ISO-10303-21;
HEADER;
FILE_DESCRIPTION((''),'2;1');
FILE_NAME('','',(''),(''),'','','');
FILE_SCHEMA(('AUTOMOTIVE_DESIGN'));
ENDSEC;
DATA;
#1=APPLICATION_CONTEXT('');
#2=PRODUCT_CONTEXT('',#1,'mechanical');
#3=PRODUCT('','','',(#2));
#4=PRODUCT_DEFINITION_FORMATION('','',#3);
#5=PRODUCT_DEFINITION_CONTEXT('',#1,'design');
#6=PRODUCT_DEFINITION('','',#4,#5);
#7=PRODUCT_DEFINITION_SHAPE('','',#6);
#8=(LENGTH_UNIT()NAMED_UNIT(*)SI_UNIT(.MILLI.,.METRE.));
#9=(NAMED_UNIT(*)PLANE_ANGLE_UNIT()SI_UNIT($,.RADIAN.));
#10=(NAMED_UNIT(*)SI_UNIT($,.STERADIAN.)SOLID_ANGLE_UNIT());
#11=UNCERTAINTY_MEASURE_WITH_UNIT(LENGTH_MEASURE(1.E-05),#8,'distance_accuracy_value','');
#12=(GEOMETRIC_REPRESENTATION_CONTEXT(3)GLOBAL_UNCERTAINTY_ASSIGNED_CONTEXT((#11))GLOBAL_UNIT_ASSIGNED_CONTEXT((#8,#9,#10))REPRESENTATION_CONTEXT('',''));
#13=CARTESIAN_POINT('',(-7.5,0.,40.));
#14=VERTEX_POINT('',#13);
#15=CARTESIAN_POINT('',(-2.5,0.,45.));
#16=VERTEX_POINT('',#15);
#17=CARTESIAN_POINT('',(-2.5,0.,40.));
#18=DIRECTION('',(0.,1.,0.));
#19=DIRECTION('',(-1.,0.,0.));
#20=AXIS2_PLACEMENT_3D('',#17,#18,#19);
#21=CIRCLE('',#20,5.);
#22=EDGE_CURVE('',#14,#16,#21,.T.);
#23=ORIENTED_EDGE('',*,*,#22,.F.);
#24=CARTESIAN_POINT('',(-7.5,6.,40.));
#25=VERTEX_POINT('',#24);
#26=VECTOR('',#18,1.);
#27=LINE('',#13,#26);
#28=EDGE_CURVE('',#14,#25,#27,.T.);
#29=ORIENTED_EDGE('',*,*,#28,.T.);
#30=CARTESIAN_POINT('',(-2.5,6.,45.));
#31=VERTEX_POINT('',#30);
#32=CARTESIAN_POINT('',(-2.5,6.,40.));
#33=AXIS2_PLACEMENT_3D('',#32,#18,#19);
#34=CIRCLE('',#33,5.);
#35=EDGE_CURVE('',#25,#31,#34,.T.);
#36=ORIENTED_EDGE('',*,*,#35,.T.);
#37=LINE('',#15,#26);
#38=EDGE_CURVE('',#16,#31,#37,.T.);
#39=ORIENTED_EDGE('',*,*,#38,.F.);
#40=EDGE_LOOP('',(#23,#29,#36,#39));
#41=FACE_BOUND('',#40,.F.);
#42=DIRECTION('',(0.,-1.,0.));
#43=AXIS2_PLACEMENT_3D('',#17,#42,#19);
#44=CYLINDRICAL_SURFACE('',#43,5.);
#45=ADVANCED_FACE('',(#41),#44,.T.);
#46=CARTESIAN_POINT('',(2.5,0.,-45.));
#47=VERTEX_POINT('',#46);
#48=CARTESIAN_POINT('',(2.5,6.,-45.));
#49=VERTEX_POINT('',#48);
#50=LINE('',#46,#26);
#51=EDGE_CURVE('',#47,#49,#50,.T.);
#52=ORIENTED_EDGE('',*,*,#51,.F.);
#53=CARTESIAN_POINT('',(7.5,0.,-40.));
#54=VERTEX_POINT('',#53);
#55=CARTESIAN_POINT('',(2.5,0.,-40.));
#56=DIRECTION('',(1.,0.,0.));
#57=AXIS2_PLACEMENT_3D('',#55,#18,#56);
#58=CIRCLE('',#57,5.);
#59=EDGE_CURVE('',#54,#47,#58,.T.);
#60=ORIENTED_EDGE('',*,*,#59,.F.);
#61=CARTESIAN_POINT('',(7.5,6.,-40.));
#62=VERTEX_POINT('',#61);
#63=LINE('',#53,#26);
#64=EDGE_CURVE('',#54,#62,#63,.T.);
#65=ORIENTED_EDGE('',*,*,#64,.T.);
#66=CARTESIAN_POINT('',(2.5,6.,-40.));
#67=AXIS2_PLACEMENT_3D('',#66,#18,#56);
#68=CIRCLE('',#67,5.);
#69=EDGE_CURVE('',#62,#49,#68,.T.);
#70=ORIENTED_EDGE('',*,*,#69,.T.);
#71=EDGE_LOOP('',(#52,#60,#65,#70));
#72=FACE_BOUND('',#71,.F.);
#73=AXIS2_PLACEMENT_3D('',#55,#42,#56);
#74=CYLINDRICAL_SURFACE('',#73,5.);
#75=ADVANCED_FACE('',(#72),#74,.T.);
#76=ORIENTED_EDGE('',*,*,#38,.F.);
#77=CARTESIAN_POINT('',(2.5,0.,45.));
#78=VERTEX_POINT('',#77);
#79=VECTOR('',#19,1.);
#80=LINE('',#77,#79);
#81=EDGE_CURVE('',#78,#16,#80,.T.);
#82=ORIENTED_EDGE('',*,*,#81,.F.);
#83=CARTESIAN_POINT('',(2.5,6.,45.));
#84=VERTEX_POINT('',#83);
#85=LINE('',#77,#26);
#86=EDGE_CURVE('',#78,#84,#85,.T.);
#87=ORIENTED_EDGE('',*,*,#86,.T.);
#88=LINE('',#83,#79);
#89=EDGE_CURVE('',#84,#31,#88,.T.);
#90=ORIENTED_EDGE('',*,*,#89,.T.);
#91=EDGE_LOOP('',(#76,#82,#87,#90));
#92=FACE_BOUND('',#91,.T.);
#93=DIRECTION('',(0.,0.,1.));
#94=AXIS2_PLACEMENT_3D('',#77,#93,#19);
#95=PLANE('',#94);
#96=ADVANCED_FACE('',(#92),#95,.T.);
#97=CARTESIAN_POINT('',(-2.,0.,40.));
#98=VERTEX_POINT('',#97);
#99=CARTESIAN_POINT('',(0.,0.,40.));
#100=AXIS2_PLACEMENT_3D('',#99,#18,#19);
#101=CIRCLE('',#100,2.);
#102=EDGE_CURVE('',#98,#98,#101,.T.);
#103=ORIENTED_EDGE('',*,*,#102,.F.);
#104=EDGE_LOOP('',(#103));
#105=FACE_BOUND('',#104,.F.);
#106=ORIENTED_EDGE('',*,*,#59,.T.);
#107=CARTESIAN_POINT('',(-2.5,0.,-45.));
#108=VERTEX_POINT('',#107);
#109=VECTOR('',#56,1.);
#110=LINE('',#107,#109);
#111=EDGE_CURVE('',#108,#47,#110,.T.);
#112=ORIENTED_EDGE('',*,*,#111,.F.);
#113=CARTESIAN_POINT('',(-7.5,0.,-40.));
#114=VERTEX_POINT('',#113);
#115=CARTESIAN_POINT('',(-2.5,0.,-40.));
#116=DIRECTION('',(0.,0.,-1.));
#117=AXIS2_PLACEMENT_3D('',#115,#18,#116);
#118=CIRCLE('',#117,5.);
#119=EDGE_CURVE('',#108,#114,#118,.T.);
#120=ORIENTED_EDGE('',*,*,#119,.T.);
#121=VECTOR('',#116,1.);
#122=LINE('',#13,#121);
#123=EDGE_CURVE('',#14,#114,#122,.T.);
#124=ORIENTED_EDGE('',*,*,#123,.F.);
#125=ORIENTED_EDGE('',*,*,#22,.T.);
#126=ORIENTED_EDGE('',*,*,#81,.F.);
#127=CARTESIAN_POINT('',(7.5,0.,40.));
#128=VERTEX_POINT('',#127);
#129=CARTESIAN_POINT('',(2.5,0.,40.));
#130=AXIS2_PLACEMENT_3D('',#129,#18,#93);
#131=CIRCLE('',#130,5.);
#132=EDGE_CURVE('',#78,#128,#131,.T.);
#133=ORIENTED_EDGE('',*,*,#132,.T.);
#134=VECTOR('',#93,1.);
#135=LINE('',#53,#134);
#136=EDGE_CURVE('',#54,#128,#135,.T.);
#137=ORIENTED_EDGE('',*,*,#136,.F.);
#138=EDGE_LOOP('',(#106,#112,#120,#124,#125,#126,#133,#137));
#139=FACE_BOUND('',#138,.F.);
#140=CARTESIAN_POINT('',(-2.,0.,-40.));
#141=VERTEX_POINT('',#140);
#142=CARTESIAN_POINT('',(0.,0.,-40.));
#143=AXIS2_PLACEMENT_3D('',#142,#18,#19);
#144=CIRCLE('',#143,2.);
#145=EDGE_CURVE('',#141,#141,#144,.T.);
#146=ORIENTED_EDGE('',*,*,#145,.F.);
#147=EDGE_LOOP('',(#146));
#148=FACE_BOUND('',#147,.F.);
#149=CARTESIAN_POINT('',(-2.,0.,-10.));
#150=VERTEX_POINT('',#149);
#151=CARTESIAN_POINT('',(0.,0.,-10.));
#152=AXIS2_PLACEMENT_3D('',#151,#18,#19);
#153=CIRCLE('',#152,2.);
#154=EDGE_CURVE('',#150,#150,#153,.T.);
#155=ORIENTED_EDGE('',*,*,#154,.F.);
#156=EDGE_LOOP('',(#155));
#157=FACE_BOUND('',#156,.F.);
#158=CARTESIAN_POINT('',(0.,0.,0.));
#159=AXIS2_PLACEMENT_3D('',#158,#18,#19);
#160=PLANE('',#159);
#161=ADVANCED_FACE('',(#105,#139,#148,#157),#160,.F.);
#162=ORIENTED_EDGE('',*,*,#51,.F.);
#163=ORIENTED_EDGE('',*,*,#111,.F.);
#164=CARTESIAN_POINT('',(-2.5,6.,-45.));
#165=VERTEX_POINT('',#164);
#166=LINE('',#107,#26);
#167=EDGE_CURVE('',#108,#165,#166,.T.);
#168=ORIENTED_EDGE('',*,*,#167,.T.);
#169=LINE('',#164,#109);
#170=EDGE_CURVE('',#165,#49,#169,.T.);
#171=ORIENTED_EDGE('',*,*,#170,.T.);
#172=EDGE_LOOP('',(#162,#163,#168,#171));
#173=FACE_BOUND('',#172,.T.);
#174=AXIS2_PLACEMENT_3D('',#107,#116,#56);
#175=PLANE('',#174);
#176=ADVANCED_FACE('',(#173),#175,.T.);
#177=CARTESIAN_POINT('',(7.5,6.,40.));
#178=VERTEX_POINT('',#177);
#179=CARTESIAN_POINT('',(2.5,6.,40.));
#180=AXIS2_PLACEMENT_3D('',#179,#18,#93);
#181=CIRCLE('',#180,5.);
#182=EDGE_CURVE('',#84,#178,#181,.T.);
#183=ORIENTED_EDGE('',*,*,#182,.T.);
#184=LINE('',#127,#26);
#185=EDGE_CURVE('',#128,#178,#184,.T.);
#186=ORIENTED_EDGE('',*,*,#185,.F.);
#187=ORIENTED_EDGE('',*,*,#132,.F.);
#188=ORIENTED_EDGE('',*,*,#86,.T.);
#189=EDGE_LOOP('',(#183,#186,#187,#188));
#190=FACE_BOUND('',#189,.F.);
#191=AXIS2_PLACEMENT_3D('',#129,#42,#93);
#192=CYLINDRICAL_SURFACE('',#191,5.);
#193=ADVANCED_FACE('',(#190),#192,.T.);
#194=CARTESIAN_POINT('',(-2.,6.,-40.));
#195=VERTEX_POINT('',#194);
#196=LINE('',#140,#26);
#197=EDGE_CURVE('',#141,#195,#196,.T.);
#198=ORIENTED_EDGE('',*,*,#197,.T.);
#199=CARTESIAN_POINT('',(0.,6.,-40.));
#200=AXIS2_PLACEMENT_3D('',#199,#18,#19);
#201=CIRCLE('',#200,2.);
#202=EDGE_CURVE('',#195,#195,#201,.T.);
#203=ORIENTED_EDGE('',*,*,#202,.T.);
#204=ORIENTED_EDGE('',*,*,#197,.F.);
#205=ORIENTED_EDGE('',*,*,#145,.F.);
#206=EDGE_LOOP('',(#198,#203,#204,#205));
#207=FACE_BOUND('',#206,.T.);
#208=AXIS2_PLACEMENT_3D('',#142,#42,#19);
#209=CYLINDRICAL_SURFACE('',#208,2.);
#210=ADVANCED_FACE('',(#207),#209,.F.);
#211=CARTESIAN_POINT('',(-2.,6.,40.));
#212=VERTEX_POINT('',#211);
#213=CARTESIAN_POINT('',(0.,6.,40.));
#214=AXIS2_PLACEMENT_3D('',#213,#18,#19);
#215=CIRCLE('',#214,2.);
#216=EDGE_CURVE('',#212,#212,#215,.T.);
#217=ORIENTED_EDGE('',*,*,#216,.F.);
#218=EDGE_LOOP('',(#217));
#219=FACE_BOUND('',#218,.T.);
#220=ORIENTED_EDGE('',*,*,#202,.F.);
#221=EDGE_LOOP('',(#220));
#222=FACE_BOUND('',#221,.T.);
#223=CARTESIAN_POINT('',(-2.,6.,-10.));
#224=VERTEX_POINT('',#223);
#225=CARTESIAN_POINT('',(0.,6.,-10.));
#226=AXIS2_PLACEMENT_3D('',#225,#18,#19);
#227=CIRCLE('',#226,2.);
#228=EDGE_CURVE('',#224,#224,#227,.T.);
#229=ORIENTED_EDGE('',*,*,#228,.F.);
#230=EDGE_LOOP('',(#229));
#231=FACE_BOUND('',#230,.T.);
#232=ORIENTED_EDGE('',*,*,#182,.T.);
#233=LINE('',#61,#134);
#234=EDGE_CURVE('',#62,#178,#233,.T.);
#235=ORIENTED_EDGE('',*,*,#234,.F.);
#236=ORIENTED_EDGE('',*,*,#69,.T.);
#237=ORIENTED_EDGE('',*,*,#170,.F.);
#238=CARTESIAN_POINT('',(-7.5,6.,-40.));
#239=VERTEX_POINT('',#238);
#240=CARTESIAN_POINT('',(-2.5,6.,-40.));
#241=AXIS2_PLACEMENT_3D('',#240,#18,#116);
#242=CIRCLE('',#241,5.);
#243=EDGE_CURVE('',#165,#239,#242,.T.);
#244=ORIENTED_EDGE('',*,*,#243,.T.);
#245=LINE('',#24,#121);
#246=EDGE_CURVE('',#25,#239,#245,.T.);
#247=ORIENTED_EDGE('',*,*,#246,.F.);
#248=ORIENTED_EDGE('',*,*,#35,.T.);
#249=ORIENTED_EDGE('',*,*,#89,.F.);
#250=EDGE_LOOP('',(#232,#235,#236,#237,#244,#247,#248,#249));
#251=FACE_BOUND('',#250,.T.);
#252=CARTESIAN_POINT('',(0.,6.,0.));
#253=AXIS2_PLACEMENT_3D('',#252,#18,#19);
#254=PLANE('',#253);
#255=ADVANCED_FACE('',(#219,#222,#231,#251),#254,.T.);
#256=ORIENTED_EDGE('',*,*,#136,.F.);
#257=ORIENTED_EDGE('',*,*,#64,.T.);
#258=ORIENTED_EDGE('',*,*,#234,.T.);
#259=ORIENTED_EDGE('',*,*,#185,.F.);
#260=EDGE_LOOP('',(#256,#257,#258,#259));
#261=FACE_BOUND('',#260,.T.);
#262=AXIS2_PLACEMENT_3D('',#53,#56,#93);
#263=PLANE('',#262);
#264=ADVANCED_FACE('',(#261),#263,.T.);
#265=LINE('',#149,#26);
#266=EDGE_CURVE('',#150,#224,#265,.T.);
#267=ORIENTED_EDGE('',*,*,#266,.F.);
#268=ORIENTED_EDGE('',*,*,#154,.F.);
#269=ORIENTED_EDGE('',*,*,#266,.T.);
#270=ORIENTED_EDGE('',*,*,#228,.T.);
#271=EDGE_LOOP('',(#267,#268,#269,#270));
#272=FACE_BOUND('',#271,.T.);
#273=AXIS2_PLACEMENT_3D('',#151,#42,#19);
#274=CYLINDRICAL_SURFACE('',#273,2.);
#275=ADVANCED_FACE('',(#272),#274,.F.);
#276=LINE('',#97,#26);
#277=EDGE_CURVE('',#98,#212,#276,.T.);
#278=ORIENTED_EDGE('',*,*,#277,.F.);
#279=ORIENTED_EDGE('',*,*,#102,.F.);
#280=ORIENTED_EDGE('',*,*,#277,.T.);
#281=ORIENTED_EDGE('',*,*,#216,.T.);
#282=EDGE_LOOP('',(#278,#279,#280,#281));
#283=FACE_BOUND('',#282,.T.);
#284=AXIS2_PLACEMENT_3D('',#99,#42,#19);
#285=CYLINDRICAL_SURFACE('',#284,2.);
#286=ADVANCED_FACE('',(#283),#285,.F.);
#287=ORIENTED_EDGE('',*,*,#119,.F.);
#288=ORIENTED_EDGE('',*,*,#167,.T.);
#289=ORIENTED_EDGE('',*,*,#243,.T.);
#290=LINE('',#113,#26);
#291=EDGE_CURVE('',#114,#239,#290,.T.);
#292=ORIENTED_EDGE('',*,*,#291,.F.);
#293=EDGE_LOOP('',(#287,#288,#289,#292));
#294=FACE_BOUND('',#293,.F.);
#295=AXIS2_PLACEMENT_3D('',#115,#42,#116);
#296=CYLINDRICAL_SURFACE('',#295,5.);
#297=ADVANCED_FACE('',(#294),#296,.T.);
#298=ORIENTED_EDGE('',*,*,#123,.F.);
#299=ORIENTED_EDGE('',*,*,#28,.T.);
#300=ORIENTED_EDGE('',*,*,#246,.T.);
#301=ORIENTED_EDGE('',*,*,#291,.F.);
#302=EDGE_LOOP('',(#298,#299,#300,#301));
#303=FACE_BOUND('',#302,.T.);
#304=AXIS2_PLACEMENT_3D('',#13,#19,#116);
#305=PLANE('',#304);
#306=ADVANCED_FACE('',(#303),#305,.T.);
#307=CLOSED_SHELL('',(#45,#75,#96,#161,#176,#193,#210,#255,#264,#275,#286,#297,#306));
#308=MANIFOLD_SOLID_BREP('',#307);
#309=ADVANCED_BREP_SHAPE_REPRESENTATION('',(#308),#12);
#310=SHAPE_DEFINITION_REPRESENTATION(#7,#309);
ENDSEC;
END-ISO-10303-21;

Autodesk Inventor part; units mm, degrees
ref_plane "YZ Plane" through (0, 0, 0) normal (1, 0, 0) x (0, 1, 0)
ref_plane "XZ Plane" through (0, 0, 0) normal (0, 1, 0) x (-1, 0, 0)
ref_plane "XY Plane" through (0, 0, 0) normal (0, 0, 1) x (1, 0, 0)
sketch "Szkic1" plane through (0, 0, 0) normal (0, 1, 0) x (-1, 0, 0)
  line L0 (2.5, -45) -> (-2.5, -45)
  line L1 (-7.5, -40) -> (-7.5, 40)
  line L2 (-2.5, 45) -> (2.5, 45)
  line L3 (7.5, 40) -> (7.5, -40)
  line L4 (7.5, -45) -> (-7.5, 45) construction
  line L5 (-7.5, -45) -> (7.5, 45) construction
  arc A0 (7.5, 40) -> (2.5, 45) centre (2.5, 40) ccw
  arc A1 (-2.5, 45) -> (-7.5, 40) centre (-2.5, 40) ccw
  arc A2 (2.5, -45) -> (7.5, -40) centre (2.5, -40) ccw
  arc A3 (-7.5, -40) -> (-2.5, -45) centre (-2.5, -40) ccw
  circle A4 centre (0, 40) radius 2
  circle A5 centre (0, -10) radius 2
  circle A6 centre (0, -40) radius 2
  point P0 (0, 0)
  dimension "d0" = 15
  dimension "d1" = 90
  dimension "d2" = 5
  dimension "d3" = 4
  dimension "d4" = 4
  dimension "d5" = 4
extrude "Wyciągnięcie proste1" add sketch "Szkic1" along normal blind 6
properties part number "ArmLifter"
